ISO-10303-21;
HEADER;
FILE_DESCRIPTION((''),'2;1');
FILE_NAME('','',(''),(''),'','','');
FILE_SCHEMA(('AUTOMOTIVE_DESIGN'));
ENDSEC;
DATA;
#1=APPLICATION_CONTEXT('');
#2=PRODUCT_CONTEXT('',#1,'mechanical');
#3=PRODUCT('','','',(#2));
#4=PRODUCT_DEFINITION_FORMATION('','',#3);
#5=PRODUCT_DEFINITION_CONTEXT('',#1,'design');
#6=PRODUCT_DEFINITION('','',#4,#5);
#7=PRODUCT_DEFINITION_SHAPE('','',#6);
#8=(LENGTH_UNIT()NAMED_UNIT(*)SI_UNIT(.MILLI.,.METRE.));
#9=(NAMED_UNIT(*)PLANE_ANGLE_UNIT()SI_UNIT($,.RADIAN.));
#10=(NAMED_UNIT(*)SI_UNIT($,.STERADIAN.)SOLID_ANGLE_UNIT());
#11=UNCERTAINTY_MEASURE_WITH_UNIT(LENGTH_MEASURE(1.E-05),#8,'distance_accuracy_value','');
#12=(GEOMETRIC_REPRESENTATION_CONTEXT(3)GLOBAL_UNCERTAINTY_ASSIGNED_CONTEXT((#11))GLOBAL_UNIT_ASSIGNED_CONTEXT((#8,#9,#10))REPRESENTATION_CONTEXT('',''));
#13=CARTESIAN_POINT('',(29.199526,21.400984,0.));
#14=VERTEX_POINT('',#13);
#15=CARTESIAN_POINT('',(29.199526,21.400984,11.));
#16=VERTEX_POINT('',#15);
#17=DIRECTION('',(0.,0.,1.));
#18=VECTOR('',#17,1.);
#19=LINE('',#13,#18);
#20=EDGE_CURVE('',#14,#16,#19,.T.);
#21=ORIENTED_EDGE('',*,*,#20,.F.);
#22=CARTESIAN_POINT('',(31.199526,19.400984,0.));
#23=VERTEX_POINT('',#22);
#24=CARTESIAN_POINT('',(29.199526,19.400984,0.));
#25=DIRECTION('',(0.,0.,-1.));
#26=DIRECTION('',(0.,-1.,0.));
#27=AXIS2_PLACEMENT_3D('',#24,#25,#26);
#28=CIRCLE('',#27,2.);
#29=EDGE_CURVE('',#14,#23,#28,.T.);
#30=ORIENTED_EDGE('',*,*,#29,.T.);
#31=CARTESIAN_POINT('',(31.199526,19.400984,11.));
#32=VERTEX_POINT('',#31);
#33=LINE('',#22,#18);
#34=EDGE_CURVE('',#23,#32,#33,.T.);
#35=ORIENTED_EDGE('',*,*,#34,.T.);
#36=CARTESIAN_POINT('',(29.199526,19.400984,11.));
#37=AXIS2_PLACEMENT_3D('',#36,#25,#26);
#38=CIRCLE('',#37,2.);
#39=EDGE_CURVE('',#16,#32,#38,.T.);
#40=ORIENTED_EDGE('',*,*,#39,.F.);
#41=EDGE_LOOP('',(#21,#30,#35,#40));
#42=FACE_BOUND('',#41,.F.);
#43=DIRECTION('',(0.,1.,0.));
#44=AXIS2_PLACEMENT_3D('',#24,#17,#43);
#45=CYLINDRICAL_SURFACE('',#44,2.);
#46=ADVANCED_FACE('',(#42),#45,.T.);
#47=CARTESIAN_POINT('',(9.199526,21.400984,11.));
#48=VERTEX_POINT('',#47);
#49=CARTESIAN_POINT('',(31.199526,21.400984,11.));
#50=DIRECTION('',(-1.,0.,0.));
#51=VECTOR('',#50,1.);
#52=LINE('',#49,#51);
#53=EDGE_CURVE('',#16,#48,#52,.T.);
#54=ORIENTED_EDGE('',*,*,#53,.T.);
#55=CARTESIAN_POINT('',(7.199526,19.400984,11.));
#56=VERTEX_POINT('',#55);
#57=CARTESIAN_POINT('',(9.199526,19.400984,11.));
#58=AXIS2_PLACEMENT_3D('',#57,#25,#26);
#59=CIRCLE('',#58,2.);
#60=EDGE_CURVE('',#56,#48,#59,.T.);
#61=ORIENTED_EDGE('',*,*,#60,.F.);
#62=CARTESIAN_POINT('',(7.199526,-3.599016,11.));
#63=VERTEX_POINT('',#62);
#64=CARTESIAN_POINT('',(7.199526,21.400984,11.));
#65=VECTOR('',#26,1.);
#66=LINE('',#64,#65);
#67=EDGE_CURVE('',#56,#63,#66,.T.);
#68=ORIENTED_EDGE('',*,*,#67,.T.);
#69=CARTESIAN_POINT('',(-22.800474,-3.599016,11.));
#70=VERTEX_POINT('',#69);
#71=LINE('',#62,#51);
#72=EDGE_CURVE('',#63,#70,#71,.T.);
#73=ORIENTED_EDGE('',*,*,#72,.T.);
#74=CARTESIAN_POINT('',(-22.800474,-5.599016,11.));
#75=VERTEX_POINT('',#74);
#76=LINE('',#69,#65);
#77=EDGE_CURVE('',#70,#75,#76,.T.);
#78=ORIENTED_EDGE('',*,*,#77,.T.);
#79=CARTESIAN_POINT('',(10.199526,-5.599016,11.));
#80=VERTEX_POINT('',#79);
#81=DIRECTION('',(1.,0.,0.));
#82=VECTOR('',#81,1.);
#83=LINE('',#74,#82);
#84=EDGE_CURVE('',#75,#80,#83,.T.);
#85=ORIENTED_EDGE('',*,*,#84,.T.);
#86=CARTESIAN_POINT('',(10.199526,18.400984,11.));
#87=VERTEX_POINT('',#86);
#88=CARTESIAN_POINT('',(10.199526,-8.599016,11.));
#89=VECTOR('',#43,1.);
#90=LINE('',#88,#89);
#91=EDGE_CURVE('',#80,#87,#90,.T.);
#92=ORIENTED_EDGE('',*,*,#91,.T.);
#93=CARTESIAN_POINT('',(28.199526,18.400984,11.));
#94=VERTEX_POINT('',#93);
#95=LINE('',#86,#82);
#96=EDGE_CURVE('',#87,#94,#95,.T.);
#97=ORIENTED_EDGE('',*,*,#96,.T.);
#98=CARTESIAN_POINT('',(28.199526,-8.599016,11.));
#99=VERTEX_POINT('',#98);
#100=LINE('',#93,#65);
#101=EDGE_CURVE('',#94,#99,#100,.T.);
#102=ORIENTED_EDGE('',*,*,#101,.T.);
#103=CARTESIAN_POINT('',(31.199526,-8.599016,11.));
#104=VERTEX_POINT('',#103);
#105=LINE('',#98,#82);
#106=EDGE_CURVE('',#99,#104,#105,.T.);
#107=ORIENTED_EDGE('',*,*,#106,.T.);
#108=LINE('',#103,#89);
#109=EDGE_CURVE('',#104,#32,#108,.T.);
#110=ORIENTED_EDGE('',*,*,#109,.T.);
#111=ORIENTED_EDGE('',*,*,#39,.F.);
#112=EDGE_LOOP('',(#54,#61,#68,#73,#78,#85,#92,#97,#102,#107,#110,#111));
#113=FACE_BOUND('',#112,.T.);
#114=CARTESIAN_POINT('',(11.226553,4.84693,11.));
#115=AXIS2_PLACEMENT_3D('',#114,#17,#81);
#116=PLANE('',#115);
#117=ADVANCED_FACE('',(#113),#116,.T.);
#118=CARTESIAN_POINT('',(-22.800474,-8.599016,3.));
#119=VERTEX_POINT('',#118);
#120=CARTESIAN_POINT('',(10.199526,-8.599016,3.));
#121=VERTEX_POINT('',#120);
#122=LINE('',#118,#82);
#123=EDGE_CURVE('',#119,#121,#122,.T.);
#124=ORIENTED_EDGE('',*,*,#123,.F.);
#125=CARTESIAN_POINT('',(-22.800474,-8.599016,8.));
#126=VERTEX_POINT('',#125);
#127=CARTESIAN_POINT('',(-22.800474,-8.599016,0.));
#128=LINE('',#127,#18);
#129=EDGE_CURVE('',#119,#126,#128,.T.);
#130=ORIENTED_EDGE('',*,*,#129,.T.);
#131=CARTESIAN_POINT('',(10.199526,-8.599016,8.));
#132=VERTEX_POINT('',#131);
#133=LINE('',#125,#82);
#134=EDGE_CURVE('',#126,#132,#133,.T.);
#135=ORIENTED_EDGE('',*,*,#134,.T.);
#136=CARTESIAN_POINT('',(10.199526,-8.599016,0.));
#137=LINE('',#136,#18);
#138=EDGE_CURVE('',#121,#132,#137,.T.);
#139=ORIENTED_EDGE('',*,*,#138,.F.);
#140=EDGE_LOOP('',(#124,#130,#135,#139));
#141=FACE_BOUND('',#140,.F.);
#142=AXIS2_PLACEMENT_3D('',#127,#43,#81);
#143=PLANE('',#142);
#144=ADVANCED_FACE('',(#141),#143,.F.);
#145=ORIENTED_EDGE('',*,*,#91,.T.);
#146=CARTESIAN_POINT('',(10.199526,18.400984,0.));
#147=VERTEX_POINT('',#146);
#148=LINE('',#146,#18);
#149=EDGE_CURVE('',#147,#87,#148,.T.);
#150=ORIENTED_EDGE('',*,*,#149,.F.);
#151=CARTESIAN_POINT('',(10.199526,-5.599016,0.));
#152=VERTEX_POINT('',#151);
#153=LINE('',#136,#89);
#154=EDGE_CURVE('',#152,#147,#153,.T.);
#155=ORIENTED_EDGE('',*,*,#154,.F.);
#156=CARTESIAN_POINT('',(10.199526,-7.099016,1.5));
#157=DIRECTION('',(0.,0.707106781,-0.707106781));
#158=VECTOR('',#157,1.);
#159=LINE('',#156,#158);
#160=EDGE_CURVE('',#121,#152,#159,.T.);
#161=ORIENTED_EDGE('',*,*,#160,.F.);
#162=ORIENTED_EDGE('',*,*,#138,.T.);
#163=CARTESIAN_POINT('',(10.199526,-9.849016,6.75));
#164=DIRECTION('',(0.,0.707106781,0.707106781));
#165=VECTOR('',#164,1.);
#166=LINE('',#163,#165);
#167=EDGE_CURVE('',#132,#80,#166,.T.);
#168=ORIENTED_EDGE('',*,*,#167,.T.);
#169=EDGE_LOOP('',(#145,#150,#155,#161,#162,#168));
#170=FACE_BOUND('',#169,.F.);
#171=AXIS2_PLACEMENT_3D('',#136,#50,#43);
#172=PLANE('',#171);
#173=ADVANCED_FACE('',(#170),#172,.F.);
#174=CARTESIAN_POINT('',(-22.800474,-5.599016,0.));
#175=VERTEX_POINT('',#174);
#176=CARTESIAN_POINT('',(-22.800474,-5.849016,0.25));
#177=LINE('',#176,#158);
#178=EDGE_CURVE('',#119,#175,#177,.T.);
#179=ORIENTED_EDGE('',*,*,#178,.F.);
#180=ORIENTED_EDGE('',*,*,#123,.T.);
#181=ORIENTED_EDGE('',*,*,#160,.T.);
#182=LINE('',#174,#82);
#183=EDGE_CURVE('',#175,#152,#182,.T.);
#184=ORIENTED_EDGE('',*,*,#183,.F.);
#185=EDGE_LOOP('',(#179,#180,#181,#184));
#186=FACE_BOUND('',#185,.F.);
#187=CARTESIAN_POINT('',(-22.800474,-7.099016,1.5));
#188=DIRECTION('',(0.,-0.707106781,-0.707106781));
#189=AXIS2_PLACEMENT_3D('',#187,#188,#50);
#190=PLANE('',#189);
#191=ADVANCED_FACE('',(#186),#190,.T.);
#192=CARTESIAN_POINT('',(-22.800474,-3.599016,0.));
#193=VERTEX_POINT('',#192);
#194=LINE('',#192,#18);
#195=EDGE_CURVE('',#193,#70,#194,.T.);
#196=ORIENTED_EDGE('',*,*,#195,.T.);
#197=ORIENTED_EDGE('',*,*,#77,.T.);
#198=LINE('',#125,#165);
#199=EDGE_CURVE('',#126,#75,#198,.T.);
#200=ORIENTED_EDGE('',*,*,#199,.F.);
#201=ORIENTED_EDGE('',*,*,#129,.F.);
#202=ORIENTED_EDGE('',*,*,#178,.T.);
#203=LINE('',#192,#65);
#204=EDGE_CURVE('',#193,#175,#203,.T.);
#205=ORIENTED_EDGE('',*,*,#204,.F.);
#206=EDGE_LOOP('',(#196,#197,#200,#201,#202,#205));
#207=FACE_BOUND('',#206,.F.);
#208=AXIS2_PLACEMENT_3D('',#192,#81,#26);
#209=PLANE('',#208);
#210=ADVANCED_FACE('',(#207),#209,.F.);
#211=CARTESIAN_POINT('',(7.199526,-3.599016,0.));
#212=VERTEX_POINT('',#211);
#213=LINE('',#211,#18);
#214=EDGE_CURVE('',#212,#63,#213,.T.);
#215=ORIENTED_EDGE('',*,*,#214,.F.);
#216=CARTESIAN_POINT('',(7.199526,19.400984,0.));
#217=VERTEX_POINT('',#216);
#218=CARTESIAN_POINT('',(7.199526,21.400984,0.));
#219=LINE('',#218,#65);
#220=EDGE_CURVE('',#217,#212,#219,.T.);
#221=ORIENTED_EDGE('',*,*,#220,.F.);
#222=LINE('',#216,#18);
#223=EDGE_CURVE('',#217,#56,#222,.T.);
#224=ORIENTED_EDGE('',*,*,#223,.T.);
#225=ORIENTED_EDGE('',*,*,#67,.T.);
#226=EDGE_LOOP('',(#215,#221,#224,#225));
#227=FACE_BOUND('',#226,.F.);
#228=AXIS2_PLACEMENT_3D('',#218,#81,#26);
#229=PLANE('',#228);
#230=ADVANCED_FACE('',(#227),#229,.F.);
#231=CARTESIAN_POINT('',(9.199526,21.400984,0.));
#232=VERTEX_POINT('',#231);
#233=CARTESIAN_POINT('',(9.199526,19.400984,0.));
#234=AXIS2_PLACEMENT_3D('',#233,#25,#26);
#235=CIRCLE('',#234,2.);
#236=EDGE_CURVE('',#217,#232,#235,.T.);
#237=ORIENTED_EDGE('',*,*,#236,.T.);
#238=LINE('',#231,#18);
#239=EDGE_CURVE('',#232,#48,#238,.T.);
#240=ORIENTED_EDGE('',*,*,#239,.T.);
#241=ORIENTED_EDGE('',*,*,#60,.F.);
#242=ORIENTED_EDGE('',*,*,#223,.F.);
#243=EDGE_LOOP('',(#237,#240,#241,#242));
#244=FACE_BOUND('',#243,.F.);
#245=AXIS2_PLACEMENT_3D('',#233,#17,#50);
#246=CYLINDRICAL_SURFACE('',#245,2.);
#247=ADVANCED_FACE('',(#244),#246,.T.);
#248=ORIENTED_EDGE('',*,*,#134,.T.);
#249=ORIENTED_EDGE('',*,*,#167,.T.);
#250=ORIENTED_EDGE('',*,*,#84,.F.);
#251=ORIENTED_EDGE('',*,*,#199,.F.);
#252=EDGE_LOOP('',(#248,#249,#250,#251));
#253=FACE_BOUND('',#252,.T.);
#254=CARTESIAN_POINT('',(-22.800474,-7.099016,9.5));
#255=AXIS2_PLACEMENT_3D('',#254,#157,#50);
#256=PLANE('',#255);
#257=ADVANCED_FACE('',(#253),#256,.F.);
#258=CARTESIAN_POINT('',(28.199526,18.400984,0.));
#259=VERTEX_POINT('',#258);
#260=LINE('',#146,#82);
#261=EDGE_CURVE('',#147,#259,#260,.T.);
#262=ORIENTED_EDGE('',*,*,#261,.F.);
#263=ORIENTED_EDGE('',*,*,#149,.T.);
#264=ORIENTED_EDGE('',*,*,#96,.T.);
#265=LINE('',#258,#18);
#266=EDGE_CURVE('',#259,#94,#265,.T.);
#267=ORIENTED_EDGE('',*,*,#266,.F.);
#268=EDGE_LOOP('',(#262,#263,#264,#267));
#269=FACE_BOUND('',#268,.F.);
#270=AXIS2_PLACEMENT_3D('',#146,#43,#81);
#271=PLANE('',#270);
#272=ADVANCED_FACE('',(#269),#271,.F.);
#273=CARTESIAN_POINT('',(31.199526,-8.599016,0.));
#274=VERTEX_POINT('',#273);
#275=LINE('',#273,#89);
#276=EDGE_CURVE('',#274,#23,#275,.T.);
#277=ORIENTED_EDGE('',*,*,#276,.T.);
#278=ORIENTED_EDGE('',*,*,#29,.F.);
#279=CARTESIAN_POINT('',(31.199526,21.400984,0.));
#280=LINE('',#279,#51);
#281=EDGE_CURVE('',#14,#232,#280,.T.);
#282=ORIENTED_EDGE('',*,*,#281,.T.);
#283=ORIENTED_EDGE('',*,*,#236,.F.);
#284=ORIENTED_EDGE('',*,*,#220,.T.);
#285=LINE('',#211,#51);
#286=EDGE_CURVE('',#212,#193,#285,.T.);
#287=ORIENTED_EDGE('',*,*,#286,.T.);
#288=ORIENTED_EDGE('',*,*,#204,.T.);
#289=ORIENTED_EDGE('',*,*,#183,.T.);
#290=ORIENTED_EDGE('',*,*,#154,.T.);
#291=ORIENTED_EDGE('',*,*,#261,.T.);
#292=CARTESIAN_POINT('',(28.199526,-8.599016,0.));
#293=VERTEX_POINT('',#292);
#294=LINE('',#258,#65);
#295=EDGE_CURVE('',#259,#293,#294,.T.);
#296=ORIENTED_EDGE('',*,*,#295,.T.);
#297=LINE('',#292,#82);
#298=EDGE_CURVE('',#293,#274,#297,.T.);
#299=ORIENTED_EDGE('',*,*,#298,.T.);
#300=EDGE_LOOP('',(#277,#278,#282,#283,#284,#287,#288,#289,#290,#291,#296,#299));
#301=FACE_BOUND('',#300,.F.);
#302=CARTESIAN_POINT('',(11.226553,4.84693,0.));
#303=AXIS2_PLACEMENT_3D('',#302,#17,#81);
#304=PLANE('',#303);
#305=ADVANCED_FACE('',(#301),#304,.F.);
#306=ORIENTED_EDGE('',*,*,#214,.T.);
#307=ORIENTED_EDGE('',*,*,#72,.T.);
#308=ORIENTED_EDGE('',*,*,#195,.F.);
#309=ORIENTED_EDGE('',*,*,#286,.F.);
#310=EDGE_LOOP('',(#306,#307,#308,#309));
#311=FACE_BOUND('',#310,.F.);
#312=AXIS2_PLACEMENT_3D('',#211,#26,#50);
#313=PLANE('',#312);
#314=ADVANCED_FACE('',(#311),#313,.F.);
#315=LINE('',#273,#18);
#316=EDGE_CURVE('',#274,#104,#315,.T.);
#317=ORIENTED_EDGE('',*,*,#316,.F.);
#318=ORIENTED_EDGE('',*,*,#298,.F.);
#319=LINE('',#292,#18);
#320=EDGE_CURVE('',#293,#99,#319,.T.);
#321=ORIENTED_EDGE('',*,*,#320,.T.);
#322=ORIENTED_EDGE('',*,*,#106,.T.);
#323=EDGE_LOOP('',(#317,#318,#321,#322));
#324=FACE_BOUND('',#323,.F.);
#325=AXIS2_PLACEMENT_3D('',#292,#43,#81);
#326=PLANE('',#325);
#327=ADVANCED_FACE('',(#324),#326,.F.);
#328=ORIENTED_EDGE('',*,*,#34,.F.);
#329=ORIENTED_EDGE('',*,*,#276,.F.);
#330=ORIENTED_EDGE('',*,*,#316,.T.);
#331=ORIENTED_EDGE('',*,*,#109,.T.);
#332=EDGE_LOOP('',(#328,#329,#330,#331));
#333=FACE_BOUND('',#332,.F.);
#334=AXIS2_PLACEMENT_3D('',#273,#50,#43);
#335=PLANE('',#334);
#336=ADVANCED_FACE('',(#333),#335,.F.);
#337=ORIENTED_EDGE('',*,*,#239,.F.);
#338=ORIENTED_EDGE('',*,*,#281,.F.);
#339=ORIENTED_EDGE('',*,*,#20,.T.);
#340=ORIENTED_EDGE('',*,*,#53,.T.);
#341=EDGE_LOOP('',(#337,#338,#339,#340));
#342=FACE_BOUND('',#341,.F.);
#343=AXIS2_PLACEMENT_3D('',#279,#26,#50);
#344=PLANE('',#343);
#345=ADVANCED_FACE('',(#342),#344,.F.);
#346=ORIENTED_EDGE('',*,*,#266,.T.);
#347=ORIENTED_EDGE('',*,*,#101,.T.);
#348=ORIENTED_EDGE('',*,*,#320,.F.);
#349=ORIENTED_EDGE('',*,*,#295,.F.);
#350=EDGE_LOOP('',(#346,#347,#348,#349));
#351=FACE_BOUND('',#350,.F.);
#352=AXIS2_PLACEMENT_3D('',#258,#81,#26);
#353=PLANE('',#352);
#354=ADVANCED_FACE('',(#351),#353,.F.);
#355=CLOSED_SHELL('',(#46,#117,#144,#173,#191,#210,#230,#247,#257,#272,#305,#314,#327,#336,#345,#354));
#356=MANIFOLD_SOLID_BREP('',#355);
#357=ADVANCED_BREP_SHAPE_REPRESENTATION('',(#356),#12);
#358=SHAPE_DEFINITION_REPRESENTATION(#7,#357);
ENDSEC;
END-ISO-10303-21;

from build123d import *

# Parameters (mm, degrees)
PAD_DEPTH    = 11
CHAMFER_SIZE = 3
FILLET_R     = 2


with BuildPart() as part:
    # Sketch → Pad (new body)
    with BuildSketch(Plane.XY):
        Polygon((-22.800474, -3.599016), (-22.800474, -8.599016), (10.199526, -8.599016), (10.199526, 18.400984), (28.199526, 18.400984), (28.199526, -8.599016), (31.199526, -8.599016), (31.199526, 21.400984), (7.199526, 21.400984), (7.199526, -3.599016), align=None)
    extrude(amount=PAD_DEPTH)

    # Chamfer
    chamfer_edges = [part.edges().sort_by_distance(p)[0] for p in [
        (-6.300474, -8.599016, 0),
        (-6.300474, -8.599016, 11),
    ]]
    chamfer(chamfer_edges, length=CHAMFER_SIZE)

    # Fillet
    fillet_edges = [part.edges().sort_by_distance(p)[0] for p in [
        (31.199526, 21.400984, 5.5),
        (7.199526, 21.400984, 5.5),
    ]]
    fillet(fillet_edges, radius=FILLET_R)


solid = part.part
